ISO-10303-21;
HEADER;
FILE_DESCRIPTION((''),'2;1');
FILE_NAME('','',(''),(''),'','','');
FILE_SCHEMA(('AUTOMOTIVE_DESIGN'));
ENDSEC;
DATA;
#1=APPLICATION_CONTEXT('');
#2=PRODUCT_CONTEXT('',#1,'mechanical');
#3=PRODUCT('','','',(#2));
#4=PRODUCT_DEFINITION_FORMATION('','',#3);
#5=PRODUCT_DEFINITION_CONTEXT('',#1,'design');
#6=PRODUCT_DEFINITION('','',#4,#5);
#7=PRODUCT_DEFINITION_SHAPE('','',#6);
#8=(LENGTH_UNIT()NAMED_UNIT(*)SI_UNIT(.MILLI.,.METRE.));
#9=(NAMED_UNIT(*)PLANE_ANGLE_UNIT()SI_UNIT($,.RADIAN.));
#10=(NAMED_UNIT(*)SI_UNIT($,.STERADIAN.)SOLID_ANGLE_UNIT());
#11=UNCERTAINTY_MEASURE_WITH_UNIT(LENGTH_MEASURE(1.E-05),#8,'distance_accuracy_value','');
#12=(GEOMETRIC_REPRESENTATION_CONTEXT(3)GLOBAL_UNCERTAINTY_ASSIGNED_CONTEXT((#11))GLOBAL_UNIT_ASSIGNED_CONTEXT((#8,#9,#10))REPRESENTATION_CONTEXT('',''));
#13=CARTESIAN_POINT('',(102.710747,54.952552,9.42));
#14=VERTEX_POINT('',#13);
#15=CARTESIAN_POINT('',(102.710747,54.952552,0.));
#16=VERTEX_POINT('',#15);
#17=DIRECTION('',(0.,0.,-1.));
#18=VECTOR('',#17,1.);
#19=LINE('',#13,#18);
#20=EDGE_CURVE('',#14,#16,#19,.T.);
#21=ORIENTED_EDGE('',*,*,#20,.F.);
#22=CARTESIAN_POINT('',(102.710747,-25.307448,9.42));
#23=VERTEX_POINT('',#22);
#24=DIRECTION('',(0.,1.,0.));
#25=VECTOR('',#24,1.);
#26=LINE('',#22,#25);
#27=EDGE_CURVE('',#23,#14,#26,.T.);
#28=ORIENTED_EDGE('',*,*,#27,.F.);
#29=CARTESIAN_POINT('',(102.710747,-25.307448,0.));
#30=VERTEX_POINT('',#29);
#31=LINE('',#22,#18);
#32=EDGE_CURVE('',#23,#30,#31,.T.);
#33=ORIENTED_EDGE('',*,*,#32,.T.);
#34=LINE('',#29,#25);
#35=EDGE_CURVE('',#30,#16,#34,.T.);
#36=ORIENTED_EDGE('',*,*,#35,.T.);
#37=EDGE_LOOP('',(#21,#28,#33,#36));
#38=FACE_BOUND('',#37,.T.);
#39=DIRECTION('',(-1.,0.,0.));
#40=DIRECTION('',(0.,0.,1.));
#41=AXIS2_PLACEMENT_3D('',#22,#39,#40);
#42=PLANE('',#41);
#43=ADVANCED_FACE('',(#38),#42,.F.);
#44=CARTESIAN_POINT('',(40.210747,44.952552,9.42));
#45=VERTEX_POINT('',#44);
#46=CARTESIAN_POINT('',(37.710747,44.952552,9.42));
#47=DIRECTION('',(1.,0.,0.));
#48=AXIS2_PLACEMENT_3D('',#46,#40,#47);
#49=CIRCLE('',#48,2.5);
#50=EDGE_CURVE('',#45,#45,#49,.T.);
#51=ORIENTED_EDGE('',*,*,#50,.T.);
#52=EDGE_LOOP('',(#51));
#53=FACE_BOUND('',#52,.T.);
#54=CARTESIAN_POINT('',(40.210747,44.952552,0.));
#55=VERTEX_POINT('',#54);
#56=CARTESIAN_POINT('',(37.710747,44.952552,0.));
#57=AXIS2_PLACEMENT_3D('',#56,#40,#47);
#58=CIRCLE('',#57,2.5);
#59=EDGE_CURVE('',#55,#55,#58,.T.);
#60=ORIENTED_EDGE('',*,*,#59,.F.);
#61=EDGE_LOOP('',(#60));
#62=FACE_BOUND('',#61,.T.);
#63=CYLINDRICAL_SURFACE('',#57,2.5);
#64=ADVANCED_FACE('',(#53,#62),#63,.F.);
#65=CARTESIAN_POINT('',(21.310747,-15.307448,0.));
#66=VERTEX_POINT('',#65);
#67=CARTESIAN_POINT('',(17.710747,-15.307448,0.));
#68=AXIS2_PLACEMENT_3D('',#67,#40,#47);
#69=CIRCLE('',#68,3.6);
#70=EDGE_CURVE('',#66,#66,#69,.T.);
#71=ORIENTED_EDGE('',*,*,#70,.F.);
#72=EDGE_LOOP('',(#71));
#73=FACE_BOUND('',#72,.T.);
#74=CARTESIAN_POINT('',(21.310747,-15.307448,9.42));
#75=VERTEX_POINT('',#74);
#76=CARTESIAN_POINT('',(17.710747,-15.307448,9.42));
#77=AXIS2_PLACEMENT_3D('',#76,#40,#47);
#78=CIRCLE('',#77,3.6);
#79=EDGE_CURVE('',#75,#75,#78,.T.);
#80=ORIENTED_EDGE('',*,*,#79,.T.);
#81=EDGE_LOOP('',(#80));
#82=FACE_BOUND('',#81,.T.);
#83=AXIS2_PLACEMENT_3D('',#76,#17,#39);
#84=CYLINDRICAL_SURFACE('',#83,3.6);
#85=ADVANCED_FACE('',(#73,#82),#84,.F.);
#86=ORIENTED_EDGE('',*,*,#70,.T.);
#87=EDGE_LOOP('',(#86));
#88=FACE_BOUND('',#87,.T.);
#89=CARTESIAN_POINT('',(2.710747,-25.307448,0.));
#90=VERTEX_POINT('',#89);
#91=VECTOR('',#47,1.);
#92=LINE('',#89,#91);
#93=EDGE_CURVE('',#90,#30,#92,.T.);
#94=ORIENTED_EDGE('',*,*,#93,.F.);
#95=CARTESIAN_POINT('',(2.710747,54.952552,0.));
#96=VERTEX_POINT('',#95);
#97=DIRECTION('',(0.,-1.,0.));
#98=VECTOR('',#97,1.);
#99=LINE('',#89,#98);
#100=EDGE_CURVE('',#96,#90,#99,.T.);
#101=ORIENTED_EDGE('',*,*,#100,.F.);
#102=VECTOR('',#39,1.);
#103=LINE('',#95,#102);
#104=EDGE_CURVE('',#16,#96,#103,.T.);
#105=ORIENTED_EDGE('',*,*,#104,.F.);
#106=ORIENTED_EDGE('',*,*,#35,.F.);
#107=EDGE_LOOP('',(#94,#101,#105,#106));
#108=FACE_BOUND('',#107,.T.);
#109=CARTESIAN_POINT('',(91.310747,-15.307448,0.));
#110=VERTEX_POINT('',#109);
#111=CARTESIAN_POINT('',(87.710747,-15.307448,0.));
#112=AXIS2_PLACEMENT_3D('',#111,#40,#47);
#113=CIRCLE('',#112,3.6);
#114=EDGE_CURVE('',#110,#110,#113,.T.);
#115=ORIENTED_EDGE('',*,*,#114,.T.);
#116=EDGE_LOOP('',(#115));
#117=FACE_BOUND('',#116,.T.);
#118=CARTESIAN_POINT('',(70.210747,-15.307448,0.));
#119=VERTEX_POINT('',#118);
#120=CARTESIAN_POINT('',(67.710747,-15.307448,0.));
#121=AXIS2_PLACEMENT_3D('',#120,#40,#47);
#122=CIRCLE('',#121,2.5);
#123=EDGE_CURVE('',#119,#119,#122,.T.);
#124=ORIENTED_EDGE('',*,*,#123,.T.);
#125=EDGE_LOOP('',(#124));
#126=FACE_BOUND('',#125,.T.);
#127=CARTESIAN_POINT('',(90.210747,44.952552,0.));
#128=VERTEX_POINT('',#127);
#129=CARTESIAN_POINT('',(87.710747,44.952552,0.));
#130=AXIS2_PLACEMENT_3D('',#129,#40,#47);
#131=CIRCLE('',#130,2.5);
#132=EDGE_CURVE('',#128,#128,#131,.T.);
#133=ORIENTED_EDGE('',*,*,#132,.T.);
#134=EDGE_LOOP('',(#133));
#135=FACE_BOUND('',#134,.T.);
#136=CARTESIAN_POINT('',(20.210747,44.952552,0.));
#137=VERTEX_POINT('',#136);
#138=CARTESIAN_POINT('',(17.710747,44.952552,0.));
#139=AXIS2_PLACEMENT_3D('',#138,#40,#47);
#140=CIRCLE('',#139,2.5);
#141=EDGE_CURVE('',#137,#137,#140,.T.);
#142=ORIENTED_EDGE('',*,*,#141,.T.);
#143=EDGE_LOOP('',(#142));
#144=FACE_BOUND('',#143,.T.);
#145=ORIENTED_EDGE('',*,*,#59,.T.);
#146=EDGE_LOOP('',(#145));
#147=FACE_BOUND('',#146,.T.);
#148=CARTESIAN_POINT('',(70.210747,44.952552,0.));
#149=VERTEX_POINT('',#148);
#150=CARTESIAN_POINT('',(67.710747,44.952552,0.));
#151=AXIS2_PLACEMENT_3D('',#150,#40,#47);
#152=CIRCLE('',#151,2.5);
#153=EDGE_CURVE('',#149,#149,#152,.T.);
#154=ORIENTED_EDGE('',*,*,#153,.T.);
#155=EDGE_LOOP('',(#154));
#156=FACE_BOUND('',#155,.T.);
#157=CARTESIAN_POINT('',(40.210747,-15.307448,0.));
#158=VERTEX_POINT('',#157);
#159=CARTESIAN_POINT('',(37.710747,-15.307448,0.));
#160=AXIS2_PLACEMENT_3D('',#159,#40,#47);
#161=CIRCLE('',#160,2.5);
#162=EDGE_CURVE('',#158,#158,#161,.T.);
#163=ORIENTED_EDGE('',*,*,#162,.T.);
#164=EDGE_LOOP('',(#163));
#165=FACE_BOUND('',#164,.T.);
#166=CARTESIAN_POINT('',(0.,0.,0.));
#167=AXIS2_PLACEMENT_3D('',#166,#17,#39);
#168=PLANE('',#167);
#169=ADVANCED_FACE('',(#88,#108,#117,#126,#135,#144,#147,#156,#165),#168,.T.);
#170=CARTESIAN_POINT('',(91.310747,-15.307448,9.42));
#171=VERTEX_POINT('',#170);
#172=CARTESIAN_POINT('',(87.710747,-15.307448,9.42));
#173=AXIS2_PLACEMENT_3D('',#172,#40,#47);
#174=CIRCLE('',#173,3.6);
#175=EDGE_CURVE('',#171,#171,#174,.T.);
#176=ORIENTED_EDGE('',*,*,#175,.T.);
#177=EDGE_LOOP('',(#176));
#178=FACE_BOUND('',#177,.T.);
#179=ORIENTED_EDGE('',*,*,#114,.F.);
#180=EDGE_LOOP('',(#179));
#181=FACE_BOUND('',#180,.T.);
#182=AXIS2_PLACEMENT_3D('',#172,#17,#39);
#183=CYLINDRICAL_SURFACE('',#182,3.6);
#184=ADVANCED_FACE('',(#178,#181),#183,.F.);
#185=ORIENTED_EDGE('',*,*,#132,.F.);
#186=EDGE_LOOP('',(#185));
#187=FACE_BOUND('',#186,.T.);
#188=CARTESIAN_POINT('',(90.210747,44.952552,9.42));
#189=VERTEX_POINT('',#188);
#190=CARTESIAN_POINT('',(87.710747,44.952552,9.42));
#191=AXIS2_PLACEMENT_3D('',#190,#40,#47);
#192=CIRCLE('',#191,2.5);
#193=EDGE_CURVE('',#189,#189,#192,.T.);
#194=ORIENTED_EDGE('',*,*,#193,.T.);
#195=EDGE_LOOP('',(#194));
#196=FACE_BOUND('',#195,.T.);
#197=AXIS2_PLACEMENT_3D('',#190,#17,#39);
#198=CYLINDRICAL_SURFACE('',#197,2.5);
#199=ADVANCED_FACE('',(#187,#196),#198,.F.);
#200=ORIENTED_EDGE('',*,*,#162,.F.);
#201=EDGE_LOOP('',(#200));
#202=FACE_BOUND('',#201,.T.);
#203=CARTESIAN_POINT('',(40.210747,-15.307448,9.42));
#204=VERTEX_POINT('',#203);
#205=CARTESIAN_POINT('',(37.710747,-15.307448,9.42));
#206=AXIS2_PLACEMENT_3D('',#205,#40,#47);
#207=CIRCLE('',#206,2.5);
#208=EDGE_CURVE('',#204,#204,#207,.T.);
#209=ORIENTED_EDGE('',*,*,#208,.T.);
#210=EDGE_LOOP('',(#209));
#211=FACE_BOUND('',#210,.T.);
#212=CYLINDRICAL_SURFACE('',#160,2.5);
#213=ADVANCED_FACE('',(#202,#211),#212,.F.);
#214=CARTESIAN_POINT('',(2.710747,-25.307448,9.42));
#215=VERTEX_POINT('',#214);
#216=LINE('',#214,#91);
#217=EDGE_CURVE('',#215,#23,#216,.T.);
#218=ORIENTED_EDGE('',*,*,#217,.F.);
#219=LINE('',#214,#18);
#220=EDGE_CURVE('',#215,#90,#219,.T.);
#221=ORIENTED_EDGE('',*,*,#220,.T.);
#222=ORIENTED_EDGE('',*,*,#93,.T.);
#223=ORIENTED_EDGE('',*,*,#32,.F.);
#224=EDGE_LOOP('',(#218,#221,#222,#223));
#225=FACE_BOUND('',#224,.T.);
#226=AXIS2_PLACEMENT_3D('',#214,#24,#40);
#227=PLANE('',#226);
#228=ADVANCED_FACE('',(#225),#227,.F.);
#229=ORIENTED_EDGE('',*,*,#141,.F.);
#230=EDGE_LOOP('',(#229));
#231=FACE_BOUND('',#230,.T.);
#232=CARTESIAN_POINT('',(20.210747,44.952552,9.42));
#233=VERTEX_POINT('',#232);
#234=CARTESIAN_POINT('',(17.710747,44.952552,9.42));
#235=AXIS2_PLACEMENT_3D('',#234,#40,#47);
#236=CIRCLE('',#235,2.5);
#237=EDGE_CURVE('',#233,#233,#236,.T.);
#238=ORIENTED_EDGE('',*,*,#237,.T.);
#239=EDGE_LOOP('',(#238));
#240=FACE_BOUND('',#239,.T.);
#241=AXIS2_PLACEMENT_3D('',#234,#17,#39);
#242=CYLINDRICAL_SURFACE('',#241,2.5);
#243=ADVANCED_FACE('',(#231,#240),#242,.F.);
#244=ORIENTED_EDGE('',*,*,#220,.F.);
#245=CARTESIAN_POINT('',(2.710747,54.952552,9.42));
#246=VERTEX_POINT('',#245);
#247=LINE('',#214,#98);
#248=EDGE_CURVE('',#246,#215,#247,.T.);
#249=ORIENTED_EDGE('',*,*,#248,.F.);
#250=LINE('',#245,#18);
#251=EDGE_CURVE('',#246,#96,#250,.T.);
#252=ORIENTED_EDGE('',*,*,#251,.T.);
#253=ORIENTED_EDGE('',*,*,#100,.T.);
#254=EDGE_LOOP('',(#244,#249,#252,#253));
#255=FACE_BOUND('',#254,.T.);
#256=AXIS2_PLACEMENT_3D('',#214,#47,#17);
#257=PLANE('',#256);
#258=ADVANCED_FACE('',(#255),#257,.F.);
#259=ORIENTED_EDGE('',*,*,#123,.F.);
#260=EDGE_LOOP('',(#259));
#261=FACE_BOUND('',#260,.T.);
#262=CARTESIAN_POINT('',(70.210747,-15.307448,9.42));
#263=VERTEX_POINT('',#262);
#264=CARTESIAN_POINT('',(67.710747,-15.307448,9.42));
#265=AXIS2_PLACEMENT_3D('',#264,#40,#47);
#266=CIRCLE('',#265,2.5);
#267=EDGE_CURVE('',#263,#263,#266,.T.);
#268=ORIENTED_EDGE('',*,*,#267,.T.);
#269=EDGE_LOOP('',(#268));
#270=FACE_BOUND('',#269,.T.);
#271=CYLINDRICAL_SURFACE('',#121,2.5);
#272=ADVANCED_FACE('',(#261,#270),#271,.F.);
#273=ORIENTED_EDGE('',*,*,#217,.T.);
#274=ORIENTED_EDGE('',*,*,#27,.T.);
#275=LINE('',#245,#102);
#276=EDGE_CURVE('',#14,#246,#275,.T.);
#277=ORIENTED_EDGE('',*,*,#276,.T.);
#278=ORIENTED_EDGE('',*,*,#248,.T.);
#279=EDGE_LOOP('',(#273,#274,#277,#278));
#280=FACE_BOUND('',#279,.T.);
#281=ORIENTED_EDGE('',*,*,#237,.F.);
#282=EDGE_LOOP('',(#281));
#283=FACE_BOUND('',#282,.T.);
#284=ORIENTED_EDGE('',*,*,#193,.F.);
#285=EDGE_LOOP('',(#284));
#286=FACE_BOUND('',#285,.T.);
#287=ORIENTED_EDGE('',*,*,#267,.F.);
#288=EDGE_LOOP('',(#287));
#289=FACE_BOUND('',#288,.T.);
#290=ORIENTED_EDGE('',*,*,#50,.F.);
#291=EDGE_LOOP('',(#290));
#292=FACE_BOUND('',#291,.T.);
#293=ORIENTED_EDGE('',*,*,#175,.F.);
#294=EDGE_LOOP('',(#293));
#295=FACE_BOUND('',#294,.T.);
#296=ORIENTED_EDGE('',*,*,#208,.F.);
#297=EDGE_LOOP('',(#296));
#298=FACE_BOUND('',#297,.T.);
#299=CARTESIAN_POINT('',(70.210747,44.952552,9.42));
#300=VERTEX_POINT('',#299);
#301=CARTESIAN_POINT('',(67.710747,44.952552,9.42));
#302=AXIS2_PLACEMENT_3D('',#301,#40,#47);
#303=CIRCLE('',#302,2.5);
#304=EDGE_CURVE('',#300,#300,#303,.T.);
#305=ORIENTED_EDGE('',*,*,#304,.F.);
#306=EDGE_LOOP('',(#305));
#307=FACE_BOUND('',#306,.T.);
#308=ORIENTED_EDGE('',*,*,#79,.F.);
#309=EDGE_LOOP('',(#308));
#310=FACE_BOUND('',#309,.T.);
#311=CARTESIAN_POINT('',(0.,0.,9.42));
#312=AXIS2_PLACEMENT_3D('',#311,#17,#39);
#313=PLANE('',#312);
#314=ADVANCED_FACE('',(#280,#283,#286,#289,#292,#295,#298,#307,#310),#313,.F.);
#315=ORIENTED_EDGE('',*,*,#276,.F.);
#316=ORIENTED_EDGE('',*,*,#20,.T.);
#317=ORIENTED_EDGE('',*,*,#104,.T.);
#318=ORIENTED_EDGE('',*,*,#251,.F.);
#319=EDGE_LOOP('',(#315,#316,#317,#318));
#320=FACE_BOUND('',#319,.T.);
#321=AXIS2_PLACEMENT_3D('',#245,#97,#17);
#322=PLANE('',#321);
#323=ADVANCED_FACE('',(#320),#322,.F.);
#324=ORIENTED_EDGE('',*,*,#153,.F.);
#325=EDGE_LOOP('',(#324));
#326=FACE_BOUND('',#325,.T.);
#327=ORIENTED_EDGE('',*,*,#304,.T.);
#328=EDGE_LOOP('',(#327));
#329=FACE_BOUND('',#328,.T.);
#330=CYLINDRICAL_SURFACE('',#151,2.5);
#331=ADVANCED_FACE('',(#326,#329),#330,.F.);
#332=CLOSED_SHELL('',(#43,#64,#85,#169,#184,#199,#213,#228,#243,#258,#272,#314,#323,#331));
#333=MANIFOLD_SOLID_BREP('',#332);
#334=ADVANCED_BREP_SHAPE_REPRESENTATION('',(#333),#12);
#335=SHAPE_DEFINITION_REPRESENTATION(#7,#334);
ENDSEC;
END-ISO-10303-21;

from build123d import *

# Parameters (mm, degrees)
SKETCH1_W           = 100
SKETCH1_H           = 80.26
SKETCH1_R           = 3.6
SKETCH1_R_2         = 2.5
BOSS_EXTRUDE1_DEPTH = 9.42
SKETCH2_R           = 2.5
CUT_EXTRUDE1_DEPTH  = 10.42


with BuildPart() as part:
    # Sketch1 → Boss-Extrude1 (new body)
    with BuildSketch(Plane.XY):
        with Locations((52.710746881, 14.822551686)):
            Rectangle(SKETCH1_W, SKETCH1_H)
        with Locations((17.710746881, -15.307448314)):
            Circle(SKETCH1_R, mode=Mode.SUBTRACT)
        with Locations((17.710746881, 44.952551686)):
            Circle(SKETCH1_R_2, mode=Mode.SUBTRACT)
        with Locations((87.710746881, 44.952551686)):
            Circle(SKETCH1_R_2, mode=Mode.SUBTRACT)
        with Locations((87.710746881, -15.307448314)):
            Circle(SKETCH1_R, mode=Mode.SUBTRACT)
    extrude(amount=BOSS_EXTRUDE1_DEPTH)

    # Sketch2 → Cut-Extrude1 (cut, through all)
    with BuildSketch(Plane.XY.offset(9.42)):
        with Locations((37.710746881, -15.307448314)):
            Circle(SKETCH2_R)
        with Locations((67.710746881, -15.307448314)):
            Circle(SKETCH2_R)
        with Locations((67.710746881, 44.952551686)):
            Circle(SKETCH2_R)
        with Locations((37.710746881, 44.952551686)):
            Circle(SKETCH2_R)
    extrude(amount=-CUT_EXTRUDE1_DEPTH, mode=Mode.SUBTRACT)


solid = part.part
